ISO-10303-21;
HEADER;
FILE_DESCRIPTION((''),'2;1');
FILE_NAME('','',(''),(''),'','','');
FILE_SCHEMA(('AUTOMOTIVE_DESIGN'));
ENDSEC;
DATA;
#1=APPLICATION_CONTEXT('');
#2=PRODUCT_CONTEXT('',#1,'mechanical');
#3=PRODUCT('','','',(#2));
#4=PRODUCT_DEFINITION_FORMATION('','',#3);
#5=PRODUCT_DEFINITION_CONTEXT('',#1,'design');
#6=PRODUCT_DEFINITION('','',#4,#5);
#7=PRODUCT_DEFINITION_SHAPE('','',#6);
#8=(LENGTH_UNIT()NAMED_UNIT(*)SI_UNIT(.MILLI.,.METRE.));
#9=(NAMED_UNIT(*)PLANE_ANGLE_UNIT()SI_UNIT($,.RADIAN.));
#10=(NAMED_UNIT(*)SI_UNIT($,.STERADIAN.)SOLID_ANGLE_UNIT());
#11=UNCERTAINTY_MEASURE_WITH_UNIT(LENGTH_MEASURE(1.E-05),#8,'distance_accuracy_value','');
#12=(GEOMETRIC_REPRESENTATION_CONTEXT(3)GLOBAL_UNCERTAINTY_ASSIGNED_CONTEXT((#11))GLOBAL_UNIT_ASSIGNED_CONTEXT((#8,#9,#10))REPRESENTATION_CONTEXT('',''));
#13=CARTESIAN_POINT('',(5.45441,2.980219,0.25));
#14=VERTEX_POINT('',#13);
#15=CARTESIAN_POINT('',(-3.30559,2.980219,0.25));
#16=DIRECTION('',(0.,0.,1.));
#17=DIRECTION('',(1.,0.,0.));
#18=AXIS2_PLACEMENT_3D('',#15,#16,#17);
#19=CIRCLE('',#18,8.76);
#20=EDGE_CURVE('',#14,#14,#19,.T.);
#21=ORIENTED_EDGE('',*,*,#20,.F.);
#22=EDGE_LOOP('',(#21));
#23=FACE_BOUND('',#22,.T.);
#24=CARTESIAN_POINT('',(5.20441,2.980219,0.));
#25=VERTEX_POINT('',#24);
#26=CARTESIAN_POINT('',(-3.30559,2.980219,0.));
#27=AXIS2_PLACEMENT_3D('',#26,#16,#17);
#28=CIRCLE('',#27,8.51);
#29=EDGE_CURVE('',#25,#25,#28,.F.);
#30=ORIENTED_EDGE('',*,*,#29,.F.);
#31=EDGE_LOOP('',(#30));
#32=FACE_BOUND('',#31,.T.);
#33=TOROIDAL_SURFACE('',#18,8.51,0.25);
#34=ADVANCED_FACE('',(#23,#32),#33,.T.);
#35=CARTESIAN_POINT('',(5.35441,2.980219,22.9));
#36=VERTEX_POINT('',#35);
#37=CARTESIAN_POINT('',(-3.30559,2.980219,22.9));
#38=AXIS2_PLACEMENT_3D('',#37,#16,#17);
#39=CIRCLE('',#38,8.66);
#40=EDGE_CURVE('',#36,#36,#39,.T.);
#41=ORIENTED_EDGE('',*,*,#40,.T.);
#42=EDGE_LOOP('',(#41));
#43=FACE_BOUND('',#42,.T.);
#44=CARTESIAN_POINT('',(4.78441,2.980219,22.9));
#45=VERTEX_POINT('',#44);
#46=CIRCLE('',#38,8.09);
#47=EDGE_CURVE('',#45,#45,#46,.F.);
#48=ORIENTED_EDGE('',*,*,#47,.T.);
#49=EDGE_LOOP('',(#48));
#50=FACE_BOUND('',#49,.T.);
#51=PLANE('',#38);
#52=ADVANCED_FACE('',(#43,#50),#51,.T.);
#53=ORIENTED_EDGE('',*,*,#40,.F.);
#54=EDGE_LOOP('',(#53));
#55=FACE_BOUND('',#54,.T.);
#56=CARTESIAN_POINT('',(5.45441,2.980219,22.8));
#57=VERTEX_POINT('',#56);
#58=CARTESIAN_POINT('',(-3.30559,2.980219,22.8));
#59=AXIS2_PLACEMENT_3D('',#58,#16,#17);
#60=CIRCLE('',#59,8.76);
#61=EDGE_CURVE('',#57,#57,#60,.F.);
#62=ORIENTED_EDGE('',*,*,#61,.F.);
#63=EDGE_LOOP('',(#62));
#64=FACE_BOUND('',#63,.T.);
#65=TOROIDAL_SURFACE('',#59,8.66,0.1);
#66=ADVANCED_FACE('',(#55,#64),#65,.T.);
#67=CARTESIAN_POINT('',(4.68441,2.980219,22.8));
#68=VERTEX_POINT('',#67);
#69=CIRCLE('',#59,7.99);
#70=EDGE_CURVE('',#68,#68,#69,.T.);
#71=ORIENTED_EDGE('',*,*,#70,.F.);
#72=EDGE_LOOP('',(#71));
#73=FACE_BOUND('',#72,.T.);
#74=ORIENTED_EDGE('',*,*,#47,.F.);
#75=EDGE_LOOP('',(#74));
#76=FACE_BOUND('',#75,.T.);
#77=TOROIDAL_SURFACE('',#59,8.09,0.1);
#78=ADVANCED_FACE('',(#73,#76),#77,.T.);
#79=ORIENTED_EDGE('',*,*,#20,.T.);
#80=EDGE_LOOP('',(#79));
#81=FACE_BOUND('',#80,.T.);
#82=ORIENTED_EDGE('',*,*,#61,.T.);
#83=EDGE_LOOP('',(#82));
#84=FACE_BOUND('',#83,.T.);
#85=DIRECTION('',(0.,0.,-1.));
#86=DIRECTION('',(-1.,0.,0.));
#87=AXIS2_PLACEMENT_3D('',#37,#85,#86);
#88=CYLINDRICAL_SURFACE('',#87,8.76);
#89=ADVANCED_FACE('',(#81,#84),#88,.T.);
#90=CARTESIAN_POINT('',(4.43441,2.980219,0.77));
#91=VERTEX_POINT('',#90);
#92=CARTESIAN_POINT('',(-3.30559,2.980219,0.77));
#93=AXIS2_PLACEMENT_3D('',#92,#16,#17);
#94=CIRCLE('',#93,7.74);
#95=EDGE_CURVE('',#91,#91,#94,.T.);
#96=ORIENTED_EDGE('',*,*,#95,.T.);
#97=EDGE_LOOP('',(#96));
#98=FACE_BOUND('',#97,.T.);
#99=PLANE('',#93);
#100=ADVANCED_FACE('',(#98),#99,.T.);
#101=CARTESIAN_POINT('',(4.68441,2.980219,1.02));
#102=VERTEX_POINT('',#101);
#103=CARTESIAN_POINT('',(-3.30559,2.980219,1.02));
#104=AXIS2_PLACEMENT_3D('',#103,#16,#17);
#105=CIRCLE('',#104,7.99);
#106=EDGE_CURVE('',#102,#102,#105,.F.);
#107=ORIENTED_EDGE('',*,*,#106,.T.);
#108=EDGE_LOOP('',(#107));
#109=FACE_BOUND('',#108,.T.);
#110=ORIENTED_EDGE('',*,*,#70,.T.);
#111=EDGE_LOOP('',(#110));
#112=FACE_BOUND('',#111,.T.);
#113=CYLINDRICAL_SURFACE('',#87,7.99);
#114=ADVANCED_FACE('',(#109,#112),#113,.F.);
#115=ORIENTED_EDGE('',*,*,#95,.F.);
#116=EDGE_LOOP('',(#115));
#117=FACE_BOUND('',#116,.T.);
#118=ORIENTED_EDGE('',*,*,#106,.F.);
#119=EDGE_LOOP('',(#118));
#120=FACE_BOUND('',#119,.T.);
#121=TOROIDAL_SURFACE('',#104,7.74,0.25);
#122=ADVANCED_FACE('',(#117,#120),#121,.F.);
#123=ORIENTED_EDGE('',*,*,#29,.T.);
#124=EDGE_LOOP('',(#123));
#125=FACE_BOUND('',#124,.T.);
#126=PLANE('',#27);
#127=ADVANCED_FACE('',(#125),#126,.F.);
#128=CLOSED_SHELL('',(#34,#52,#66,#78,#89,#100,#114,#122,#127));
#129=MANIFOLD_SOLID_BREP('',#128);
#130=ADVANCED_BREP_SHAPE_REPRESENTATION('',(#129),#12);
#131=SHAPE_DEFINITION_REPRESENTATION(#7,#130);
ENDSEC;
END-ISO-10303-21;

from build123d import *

# Parameters (mm, degrees)
ESQUISSE1_R        = 8.76
BOSS_EXTRU_1_DEPTH = 22.9
COQUE1_T           = -0.77
CONG_1_R           = 0.25
CONG_2_R           = 0.25
CONG_3_R           = 0.1


with BuildPart() as part:
    # Esquisse1 → Boss.-Extru.1 (new body)
    with BuildSketch(Plane.XY):
        with Locations((-3.305589664, 2.980219473)):
            Circle(ESQUISSE1_R)
    extrude(amount=BOSS_EXTRU_1_DEPTH)

    # Coque1
    coque1_openings = [part.faces().sort_by_distance(p)[0] for p in [
        (-3.305589664, 2.980219473, 22.9),
    ]]
    offset(amount=COQUE1_T, openings=coque1_openings, kind=Kind.INTERSECTION)

    # Congé1
    cong_1_edges = [part.edges().sort_by_distance(p)[0] for p in [
        (-11.295589664, 2.980219473, 0.77),
    ]]
    fillet(cong_1_edges, radius=CONG_1_R)

    # Congé2
    cong_2_edges = [part.edges().sort_by_distance(p)[0] for p in [
        (-12.065589664, 2.980219473, 0),
    ]]
    fillet(cong_2_edges, radius=CONG_2_R)

    # Congé3
    cong_3_edges = [part.edges().sort_by_distance(p)[0] for p in [
        (-12.065589664, 2.980219473, 22.9),
        (-11.295589664, 2.980219473, 22.9),
    ]]
    fillet(cong_3_edges, radius=CONG_3_R)


solid = part.part
